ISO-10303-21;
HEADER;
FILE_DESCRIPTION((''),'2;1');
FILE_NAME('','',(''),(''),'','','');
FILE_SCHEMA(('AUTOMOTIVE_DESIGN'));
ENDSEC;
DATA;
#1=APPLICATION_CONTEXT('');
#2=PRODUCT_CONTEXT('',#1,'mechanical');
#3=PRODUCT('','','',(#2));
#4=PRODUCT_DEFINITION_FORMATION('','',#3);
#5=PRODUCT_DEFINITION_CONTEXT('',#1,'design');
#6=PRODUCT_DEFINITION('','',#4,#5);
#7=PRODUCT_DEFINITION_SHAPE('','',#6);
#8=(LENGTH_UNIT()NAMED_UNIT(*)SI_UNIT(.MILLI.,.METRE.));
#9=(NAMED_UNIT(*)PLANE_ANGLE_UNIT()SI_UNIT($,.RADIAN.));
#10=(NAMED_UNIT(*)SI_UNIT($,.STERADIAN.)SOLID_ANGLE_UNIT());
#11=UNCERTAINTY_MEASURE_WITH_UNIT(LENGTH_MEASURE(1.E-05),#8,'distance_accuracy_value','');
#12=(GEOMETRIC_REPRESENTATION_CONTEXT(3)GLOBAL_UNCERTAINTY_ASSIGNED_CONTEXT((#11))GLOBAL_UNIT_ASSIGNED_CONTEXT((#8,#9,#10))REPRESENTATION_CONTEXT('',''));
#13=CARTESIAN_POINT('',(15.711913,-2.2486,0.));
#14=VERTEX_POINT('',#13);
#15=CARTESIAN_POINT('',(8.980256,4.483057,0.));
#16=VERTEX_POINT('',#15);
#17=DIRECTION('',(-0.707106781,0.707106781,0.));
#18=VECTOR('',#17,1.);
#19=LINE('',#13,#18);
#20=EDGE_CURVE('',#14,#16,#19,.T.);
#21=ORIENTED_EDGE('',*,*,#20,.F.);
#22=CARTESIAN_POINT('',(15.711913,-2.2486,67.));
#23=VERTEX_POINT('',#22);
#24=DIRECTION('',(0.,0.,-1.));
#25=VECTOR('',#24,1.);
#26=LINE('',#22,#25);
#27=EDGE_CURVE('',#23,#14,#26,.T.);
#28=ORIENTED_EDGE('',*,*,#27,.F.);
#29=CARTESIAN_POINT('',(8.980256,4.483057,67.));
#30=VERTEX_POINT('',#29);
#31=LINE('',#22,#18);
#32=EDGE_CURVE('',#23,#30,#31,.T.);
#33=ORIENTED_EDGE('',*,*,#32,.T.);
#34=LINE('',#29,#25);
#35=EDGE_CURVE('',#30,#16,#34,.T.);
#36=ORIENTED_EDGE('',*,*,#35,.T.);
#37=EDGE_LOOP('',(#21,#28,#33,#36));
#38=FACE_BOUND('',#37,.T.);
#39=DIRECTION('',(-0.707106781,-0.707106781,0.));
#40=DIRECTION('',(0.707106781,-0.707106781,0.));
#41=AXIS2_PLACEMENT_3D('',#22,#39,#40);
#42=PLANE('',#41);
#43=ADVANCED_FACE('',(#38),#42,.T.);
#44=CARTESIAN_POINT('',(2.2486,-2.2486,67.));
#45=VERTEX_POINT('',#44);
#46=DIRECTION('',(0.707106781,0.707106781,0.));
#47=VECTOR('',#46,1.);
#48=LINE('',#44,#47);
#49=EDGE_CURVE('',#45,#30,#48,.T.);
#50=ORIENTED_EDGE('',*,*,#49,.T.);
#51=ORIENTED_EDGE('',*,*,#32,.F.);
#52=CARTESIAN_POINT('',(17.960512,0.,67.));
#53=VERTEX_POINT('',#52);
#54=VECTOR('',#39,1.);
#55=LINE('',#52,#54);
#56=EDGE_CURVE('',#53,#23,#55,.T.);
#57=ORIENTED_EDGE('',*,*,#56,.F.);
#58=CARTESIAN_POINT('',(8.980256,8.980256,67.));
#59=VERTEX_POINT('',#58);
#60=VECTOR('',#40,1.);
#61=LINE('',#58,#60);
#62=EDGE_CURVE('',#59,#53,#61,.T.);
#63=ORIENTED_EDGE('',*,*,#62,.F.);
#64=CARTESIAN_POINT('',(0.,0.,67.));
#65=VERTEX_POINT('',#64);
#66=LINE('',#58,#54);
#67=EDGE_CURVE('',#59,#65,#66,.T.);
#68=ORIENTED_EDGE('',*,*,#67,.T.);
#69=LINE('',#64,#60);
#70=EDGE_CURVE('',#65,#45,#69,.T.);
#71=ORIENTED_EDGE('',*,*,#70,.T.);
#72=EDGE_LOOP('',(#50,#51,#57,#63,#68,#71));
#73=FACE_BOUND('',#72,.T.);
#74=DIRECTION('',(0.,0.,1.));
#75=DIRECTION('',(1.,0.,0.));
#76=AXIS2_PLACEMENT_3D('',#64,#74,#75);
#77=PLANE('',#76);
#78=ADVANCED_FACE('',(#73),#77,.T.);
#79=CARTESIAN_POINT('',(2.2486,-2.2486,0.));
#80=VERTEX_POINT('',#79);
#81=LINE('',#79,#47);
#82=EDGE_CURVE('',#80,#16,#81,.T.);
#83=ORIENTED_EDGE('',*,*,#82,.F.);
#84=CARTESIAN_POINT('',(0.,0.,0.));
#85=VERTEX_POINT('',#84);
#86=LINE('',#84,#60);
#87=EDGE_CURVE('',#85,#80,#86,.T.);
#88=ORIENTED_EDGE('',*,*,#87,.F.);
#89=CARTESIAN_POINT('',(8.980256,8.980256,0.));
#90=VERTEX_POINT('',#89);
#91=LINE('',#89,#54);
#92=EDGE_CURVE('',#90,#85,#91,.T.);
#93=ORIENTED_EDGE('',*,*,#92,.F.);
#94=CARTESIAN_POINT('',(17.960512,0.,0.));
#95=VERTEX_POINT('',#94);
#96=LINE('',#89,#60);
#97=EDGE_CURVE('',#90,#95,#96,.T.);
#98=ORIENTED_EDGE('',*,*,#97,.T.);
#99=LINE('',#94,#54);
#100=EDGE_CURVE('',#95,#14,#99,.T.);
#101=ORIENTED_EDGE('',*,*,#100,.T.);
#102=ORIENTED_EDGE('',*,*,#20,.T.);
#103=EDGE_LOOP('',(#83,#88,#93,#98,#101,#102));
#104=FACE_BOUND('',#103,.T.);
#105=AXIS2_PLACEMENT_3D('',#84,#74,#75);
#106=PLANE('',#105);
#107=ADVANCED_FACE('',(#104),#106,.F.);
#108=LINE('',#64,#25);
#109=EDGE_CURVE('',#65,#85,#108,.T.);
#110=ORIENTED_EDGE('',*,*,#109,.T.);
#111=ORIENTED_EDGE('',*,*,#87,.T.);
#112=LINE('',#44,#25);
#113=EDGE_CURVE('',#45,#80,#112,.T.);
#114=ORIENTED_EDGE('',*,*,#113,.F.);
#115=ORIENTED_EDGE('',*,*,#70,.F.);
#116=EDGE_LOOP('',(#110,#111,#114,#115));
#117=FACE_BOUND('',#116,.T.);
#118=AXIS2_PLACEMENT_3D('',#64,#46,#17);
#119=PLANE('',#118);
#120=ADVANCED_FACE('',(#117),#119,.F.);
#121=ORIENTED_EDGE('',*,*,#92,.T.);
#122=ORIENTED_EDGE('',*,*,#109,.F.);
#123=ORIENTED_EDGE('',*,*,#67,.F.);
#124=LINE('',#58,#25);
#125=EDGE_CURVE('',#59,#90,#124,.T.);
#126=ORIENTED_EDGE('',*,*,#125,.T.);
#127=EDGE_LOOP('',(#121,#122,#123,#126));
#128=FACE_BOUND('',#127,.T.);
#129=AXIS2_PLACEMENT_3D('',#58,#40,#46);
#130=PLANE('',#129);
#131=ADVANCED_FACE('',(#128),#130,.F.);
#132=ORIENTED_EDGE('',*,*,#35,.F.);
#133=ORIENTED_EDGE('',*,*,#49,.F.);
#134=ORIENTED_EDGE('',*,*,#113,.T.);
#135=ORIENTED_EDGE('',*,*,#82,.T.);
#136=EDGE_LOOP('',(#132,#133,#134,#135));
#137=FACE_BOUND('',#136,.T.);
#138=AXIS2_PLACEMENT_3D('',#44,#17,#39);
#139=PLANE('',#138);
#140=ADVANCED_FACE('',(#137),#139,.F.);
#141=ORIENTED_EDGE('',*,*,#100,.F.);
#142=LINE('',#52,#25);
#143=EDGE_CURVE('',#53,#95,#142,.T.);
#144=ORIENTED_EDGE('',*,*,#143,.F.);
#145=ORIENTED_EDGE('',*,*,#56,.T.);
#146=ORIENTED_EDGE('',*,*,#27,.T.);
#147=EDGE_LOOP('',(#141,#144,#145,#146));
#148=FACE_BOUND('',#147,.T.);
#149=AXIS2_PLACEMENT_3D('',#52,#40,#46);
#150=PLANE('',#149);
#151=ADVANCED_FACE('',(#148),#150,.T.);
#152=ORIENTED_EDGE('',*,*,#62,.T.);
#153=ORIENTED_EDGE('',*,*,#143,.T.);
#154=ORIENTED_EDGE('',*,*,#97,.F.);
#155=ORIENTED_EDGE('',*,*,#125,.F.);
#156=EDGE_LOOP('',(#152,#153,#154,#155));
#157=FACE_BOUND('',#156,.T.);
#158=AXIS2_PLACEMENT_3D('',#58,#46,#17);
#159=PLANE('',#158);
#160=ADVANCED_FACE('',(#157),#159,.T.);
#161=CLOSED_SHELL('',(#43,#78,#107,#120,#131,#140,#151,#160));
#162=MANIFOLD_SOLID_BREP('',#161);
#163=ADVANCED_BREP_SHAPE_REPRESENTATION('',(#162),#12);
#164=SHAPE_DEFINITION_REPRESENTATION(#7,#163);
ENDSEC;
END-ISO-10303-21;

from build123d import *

# Parameters (mm, degrees)
RESSALTO_EXTRUS_O1_DEPTH = 67


with BuildPart() as part:
    # Esboço1 → Ressalto-extrusão1 (new body)
    with BuildSketch(Plane.XY):
        Polygon((8.980256121, 8.980256121), (17.960512242, 0), (15.711912678, -2.248599564), (8.980256121, 4.483056993), (2.248599564, -2.248599564), (0, 0), align=None)
    extrude(amount=RESSALTO_EXTRUS_O1_DEPTH)


solid = part.part
